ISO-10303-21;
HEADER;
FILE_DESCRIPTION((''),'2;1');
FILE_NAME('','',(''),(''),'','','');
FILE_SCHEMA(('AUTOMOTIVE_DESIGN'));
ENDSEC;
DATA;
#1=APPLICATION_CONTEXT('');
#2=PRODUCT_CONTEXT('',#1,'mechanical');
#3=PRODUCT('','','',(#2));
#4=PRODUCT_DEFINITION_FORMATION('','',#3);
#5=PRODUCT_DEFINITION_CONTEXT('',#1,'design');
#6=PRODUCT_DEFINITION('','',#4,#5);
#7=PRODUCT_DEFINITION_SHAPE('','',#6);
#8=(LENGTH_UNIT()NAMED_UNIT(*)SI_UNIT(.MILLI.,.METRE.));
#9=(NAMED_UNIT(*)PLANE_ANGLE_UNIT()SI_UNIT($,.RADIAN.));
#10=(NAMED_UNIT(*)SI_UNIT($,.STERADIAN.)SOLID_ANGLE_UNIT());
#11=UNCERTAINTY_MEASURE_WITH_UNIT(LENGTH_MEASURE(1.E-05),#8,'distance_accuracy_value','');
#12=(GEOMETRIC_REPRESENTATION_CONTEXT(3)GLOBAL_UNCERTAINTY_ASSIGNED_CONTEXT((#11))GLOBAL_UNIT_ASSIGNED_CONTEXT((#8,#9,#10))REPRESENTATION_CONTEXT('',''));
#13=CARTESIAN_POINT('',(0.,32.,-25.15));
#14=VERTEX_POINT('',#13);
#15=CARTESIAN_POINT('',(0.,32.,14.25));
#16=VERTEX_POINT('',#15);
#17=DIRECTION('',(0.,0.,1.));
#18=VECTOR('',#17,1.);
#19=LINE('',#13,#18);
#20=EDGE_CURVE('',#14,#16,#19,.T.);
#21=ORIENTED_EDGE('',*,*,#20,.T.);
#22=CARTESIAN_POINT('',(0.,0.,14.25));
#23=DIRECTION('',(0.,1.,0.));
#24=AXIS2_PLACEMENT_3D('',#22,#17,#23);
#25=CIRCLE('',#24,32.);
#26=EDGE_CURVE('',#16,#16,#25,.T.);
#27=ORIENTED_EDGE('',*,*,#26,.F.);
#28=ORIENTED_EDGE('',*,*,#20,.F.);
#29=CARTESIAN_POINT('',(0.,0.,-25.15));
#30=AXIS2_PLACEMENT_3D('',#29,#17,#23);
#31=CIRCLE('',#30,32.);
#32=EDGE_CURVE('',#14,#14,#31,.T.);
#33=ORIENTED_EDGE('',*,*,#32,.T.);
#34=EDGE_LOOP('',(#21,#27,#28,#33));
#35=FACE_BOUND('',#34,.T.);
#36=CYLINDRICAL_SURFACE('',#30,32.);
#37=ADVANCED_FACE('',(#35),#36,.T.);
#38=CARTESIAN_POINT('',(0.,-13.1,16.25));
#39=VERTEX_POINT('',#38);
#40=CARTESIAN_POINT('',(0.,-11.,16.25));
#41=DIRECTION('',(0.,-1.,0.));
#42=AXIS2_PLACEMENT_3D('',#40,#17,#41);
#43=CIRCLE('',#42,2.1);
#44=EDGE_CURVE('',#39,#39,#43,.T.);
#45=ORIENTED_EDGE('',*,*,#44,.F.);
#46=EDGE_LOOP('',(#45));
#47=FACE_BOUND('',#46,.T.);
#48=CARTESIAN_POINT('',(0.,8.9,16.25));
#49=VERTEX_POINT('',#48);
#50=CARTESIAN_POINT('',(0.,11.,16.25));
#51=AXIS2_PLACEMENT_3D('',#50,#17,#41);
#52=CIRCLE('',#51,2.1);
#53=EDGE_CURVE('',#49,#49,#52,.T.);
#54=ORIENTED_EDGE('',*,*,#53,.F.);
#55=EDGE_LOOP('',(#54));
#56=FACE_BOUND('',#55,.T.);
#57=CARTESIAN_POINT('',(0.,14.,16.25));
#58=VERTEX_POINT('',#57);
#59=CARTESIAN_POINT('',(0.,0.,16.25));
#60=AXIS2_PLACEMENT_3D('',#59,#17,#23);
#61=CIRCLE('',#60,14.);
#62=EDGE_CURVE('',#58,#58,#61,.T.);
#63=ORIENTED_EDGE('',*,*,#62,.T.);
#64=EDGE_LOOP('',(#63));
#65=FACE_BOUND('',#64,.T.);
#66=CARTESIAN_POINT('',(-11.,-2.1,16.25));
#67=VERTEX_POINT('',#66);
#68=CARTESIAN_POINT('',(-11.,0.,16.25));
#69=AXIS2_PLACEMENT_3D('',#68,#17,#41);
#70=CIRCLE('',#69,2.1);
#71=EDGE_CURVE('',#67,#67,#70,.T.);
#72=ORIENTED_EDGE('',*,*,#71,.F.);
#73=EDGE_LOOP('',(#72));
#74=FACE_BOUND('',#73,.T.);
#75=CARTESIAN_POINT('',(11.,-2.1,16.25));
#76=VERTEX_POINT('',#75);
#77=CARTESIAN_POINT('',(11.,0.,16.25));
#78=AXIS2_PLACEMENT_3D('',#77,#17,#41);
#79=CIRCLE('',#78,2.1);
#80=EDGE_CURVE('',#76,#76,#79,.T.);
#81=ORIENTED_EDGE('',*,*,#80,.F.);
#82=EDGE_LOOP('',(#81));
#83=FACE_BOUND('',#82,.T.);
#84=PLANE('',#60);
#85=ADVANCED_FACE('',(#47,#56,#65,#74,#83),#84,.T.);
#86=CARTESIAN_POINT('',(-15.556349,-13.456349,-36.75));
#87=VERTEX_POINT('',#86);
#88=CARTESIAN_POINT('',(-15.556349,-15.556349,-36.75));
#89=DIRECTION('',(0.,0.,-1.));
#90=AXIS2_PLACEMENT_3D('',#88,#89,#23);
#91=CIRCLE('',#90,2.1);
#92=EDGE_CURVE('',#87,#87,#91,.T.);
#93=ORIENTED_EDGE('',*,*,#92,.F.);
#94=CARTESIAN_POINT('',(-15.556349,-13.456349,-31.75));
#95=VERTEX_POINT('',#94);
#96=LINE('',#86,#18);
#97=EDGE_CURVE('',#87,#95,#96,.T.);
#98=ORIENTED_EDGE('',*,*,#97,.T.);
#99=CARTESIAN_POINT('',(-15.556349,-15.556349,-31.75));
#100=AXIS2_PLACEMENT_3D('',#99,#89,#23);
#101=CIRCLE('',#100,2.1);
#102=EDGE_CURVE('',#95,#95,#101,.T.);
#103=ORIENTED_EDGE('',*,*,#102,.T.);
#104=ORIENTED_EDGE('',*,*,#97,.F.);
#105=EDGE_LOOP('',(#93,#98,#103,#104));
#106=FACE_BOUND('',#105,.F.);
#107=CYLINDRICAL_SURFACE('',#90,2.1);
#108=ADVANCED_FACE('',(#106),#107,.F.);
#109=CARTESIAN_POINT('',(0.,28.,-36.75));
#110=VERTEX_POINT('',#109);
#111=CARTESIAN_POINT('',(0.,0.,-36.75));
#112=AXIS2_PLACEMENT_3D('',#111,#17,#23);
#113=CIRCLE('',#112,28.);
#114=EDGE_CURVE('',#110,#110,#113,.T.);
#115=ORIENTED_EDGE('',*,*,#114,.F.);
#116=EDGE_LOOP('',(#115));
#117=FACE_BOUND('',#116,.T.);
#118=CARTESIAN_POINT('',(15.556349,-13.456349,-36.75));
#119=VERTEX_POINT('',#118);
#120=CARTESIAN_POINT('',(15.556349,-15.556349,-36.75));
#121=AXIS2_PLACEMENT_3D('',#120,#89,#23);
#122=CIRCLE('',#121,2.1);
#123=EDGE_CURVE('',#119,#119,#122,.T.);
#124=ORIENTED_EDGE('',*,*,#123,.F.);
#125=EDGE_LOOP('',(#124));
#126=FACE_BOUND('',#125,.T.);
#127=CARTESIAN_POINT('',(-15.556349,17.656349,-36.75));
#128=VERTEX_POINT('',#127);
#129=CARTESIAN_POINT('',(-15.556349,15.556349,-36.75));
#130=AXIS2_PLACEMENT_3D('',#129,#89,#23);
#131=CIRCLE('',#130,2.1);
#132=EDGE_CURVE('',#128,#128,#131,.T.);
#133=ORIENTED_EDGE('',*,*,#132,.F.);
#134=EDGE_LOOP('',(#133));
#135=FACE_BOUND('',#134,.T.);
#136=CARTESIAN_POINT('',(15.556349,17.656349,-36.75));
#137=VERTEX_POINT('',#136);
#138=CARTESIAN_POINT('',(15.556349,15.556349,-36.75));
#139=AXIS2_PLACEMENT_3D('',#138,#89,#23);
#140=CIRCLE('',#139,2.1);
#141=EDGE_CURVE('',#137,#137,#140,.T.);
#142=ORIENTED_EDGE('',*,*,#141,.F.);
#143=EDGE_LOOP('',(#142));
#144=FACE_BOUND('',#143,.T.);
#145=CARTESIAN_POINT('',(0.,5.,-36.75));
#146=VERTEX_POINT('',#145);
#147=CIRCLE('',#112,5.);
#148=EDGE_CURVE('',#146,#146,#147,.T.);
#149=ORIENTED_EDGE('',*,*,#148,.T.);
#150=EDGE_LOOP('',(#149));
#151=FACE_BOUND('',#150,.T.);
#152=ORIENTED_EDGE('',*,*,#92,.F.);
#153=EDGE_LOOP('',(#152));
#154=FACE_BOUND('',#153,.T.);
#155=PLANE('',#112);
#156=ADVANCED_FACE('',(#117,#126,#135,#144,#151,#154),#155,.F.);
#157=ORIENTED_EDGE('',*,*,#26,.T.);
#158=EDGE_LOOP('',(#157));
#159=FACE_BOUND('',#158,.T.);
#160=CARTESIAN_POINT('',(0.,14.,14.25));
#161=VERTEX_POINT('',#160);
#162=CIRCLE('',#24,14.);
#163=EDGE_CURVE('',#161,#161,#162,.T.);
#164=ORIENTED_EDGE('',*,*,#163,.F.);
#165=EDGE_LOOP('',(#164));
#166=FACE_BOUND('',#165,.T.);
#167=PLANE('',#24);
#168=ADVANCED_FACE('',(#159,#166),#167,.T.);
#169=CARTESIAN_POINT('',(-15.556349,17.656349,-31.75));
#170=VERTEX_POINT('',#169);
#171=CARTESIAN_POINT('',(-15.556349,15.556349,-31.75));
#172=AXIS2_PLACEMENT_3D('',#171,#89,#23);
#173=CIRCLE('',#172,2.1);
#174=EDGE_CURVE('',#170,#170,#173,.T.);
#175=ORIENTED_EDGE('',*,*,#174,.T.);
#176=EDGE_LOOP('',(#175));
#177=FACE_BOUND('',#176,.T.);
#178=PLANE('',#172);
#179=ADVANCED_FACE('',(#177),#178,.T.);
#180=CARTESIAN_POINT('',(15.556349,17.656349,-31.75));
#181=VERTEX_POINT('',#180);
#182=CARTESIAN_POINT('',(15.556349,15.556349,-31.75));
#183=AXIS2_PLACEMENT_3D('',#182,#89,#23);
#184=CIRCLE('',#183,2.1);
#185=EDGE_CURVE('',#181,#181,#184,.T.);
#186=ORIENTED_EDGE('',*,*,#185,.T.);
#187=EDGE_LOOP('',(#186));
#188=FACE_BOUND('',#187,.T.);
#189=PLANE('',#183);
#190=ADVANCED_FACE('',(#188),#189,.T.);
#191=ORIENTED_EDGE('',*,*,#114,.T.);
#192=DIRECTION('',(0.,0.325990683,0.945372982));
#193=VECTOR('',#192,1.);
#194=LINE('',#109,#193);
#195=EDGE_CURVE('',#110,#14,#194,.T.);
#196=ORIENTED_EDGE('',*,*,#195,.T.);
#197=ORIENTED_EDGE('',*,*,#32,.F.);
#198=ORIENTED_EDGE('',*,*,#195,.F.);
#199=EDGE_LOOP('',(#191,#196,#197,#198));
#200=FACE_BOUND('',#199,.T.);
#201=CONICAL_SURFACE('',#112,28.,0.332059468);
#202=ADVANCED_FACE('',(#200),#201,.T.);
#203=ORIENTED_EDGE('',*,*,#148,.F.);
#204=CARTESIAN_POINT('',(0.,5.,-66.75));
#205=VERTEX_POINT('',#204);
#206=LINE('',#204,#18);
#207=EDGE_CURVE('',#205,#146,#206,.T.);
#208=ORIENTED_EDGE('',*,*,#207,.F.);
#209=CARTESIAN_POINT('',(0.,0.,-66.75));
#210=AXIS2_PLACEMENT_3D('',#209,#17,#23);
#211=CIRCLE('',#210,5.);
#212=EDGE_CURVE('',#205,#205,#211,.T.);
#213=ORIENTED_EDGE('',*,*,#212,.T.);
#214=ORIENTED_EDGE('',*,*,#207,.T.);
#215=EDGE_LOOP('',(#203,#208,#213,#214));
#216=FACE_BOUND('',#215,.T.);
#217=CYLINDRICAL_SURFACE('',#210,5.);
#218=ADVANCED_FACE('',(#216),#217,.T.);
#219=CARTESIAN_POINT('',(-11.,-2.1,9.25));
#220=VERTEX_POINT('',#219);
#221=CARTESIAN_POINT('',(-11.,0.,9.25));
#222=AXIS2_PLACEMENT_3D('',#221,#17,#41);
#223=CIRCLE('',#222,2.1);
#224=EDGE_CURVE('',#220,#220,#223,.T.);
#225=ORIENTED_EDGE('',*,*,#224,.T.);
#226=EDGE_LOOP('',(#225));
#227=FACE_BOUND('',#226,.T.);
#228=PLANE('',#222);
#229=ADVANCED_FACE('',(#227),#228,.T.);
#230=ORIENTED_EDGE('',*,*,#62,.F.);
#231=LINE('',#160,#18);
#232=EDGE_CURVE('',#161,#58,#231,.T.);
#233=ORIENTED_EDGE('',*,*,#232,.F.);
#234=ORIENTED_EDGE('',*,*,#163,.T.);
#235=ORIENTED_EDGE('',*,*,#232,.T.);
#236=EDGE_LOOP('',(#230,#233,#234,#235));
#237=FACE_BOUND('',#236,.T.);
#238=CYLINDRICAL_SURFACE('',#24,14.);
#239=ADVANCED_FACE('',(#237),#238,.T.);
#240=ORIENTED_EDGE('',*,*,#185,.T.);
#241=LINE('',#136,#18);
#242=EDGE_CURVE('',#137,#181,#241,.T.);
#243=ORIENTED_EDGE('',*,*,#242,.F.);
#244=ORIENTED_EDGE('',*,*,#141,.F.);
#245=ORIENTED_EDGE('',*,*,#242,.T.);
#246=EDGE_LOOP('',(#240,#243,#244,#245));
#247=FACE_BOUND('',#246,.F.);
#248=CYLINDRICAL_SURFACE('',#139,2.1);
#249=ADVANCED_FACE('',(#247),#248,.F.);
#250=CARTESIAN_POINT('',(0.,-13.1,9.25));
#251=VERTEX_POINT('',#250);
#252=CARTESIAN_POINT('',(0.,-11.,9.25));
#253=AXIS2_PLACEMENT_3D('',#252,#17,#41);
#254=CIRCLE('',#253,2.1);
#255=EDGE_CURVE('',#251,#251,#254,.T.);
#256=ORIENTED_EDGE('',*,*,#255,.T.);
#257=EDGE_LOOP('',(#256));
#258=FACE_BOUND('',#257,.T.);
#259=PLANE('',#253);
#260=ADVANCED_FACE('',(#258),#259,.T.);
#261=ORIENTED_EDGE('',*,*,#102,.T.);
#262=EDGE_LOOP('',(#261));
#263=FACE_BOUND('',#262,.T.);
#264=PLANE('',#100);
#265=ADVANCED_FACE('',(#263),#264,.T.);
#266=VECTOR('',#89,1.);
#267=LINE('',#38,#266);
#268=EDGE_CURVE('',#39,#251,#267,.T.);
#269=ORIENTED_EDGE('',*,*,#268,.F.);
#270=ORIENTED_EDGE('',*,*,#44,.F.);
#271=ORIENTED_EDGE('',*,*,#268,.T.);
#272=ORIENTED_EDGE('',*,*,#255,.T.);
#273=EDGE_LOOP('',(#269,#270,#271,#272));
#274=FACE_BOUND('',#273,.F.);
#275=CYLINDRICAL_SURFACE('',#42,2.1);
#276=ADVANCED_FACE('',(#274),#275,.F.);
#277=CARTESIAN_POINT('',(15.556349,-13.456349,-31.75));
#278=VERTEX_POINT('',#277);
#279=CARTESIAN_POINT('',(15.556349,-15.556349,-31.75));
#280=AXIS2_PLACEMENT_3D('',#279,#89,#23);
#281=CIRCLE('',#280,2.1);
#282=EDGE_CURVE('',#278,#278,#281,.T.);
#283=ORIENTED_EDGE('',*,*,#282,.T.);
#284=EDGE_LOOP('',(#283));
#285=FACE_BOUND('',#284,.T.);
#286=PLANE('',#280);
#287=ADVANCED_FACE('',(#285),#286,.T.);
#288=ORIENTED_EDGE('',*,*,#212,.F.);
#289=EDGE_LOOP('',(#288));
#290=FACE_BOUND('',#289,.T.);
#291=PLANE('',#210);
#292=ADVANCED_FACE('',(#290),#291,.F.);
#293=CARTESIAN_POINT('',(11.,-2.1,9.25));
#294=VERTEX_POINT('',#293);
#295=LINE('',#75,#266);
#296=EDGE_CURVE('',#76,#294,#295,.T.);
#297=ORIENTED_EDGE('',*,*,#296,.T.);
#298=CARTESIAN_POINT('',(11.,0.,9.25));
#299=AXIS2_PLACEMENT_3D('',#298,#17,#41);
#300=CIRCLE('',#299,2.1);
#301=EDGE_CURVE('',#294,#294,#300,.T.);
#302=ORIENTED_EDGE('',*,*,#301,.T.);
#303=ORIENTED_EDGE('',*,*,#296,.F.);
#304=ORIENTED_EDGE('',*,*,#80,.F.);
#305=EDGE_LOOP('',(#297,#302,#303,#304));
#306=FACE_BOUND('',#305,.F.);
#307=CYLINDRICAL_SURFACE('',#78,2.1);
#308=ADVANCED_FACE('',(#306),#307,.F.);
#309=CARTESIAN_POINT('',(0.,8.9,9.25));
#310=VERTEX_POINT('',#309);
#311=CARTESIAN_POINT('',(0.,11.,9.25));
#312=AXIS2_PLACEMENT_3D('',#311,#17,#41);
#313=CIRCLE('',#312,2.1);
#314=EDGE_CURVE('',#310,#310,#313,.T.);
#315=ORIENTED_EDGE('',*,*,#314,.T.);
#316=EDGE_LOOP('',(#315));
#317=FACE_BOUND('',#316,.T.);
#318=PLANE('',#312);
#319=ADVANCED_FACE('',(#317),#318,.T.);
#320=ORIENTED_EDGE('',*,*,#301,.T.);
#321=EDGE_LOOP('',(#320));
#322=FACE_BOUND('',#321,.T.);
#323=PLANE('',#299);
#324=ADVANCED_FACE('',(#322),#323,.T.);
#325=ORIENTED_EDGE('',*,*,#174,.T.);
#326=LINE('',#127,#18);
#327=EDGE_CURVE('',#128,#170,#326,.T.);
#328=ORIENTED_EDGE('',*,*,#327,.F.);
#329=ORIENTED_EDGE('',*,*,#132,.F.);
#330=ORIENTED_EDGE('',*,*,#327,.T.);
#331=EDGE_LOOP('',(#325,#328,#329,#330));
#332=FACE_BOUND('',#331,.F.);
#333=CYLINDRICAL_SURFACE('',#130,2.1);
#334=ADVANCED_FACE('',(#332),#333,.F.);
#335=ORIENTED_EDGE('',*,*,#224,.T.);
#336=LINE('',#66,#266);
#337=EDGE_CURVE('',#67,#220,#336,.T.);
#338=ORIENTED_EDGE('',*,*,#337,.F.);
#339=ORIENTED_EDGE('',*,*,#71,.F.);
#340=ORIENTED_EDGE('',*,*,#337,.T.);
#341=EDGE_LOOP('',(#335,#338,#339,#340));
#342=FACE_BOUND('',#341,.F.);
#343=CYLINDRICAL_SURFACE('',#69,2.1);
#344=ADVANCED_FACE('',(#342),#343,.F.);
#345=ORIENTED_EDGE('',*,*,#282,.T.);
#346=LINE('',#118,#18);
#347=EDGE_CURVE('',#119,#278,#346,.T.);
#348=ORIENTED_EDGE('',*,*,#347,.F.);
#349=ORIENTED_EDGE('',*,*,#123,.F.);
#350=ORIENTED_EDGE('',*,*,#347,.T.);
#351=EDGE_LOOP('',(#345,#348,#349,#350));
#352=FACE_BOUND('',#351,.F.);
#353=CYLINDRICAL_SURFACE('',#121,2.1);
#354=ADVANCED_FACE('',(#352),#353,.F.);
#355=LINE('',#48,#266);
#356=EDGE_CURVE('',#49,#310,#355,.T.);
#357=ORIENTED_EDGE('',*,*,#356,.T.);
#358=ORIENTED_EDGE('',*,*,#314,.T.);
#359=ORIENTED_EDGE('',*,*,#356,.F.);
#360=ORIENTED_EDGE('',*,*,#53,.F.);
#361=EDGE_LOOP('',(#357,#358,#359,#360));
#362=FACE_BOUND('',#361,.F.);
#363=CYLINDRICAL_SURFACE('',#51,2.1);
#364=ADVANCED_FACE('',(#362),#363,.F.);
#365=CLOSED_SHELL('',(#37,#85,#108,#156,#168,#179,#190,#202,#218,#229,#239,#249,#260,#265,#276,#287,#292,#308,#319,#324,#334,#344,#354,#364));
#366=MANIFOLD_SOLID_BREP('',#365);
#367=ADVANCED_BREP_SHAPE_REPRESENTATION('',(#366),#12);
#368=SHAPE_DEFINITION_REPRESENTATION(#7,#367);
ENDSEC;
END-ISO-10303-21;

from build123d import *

# Parameters (mm, degrees)
SKETCH_R                = 2.1
POCKET_DEPTH            = 5
SKETCH002_R             = 2.1
POCKET001_DEPTH         = 7
BODY001_ROLL_ANGLE      = 90
BODY001_PLACEMENT_ANGLE = 90


with BuildPart() as part:
    # Sketch001 → Revolution001 (revolve)
    with BuildSketch(Plane.XY):
        Polygon((28, 0), (32, 11.6), (32, 51), (14, 51), (14, 53), (0, 53), (0, 0), (0, -30), (5, -30), (5, 0), align=None)
    revolve(axis=Axis((0, 0, 0), (0, 1, 0)))

    # Sketch → Pocket (cut)
    with BuildSketch(Plane.XZ):
        with Locations((-15.556349, 15.556349)):
            Circle(SKETCH_R)
        with Locations((15.556349, 15.556349)):
            Circle(SKETCH_R)
        with Locations((15.556349, -15.556349)):
            Circle(SKETCH_R)
        with Locations((-15.556349, -15.556349)):
            Circle(SKETCH_R)
    extrude(amount=-POCKET_DEPTH, mode=Mode.SUBTRACT)

    # Sketch002 (on Face16 of Pocket) → Pocket001 (cut)
    with BuildSketch(Plane(origin=(0, 53, 0), x_dir=(-1, 0, 0), z_dir=(0, 1, 0))):
        with Locations((-11, 0)):
            Circle(SKETCH002_R)
        with Locations((0, -11)):
            Circle(SKETCH002_R)
        with Locations((11, 0)):
            Circle(SKETCH002_R)
        with Locations((0, 11)):
            Circle(SKETCH002_R)
    extrude(amount=-POCKET001_DEPTH, mode=Mode.SUBTRACT)


with BuildPart() as part_1:
    # Body001 roll: moved
    add(part.part.rotate(Axis((0, 0, 0), (1, 0, 0)), BODY001_ROLL_ANGLE))


with BuildPart() as part_2:
    # Body001 placement: moved
    add(part_1.part.moved(Location((0, 0, -36.75))).rotate(Axis((0, 0, -36.75), (0, 0, 1)), BODY001_PLACEMENT_ANGLE))


solid = part_2.part
